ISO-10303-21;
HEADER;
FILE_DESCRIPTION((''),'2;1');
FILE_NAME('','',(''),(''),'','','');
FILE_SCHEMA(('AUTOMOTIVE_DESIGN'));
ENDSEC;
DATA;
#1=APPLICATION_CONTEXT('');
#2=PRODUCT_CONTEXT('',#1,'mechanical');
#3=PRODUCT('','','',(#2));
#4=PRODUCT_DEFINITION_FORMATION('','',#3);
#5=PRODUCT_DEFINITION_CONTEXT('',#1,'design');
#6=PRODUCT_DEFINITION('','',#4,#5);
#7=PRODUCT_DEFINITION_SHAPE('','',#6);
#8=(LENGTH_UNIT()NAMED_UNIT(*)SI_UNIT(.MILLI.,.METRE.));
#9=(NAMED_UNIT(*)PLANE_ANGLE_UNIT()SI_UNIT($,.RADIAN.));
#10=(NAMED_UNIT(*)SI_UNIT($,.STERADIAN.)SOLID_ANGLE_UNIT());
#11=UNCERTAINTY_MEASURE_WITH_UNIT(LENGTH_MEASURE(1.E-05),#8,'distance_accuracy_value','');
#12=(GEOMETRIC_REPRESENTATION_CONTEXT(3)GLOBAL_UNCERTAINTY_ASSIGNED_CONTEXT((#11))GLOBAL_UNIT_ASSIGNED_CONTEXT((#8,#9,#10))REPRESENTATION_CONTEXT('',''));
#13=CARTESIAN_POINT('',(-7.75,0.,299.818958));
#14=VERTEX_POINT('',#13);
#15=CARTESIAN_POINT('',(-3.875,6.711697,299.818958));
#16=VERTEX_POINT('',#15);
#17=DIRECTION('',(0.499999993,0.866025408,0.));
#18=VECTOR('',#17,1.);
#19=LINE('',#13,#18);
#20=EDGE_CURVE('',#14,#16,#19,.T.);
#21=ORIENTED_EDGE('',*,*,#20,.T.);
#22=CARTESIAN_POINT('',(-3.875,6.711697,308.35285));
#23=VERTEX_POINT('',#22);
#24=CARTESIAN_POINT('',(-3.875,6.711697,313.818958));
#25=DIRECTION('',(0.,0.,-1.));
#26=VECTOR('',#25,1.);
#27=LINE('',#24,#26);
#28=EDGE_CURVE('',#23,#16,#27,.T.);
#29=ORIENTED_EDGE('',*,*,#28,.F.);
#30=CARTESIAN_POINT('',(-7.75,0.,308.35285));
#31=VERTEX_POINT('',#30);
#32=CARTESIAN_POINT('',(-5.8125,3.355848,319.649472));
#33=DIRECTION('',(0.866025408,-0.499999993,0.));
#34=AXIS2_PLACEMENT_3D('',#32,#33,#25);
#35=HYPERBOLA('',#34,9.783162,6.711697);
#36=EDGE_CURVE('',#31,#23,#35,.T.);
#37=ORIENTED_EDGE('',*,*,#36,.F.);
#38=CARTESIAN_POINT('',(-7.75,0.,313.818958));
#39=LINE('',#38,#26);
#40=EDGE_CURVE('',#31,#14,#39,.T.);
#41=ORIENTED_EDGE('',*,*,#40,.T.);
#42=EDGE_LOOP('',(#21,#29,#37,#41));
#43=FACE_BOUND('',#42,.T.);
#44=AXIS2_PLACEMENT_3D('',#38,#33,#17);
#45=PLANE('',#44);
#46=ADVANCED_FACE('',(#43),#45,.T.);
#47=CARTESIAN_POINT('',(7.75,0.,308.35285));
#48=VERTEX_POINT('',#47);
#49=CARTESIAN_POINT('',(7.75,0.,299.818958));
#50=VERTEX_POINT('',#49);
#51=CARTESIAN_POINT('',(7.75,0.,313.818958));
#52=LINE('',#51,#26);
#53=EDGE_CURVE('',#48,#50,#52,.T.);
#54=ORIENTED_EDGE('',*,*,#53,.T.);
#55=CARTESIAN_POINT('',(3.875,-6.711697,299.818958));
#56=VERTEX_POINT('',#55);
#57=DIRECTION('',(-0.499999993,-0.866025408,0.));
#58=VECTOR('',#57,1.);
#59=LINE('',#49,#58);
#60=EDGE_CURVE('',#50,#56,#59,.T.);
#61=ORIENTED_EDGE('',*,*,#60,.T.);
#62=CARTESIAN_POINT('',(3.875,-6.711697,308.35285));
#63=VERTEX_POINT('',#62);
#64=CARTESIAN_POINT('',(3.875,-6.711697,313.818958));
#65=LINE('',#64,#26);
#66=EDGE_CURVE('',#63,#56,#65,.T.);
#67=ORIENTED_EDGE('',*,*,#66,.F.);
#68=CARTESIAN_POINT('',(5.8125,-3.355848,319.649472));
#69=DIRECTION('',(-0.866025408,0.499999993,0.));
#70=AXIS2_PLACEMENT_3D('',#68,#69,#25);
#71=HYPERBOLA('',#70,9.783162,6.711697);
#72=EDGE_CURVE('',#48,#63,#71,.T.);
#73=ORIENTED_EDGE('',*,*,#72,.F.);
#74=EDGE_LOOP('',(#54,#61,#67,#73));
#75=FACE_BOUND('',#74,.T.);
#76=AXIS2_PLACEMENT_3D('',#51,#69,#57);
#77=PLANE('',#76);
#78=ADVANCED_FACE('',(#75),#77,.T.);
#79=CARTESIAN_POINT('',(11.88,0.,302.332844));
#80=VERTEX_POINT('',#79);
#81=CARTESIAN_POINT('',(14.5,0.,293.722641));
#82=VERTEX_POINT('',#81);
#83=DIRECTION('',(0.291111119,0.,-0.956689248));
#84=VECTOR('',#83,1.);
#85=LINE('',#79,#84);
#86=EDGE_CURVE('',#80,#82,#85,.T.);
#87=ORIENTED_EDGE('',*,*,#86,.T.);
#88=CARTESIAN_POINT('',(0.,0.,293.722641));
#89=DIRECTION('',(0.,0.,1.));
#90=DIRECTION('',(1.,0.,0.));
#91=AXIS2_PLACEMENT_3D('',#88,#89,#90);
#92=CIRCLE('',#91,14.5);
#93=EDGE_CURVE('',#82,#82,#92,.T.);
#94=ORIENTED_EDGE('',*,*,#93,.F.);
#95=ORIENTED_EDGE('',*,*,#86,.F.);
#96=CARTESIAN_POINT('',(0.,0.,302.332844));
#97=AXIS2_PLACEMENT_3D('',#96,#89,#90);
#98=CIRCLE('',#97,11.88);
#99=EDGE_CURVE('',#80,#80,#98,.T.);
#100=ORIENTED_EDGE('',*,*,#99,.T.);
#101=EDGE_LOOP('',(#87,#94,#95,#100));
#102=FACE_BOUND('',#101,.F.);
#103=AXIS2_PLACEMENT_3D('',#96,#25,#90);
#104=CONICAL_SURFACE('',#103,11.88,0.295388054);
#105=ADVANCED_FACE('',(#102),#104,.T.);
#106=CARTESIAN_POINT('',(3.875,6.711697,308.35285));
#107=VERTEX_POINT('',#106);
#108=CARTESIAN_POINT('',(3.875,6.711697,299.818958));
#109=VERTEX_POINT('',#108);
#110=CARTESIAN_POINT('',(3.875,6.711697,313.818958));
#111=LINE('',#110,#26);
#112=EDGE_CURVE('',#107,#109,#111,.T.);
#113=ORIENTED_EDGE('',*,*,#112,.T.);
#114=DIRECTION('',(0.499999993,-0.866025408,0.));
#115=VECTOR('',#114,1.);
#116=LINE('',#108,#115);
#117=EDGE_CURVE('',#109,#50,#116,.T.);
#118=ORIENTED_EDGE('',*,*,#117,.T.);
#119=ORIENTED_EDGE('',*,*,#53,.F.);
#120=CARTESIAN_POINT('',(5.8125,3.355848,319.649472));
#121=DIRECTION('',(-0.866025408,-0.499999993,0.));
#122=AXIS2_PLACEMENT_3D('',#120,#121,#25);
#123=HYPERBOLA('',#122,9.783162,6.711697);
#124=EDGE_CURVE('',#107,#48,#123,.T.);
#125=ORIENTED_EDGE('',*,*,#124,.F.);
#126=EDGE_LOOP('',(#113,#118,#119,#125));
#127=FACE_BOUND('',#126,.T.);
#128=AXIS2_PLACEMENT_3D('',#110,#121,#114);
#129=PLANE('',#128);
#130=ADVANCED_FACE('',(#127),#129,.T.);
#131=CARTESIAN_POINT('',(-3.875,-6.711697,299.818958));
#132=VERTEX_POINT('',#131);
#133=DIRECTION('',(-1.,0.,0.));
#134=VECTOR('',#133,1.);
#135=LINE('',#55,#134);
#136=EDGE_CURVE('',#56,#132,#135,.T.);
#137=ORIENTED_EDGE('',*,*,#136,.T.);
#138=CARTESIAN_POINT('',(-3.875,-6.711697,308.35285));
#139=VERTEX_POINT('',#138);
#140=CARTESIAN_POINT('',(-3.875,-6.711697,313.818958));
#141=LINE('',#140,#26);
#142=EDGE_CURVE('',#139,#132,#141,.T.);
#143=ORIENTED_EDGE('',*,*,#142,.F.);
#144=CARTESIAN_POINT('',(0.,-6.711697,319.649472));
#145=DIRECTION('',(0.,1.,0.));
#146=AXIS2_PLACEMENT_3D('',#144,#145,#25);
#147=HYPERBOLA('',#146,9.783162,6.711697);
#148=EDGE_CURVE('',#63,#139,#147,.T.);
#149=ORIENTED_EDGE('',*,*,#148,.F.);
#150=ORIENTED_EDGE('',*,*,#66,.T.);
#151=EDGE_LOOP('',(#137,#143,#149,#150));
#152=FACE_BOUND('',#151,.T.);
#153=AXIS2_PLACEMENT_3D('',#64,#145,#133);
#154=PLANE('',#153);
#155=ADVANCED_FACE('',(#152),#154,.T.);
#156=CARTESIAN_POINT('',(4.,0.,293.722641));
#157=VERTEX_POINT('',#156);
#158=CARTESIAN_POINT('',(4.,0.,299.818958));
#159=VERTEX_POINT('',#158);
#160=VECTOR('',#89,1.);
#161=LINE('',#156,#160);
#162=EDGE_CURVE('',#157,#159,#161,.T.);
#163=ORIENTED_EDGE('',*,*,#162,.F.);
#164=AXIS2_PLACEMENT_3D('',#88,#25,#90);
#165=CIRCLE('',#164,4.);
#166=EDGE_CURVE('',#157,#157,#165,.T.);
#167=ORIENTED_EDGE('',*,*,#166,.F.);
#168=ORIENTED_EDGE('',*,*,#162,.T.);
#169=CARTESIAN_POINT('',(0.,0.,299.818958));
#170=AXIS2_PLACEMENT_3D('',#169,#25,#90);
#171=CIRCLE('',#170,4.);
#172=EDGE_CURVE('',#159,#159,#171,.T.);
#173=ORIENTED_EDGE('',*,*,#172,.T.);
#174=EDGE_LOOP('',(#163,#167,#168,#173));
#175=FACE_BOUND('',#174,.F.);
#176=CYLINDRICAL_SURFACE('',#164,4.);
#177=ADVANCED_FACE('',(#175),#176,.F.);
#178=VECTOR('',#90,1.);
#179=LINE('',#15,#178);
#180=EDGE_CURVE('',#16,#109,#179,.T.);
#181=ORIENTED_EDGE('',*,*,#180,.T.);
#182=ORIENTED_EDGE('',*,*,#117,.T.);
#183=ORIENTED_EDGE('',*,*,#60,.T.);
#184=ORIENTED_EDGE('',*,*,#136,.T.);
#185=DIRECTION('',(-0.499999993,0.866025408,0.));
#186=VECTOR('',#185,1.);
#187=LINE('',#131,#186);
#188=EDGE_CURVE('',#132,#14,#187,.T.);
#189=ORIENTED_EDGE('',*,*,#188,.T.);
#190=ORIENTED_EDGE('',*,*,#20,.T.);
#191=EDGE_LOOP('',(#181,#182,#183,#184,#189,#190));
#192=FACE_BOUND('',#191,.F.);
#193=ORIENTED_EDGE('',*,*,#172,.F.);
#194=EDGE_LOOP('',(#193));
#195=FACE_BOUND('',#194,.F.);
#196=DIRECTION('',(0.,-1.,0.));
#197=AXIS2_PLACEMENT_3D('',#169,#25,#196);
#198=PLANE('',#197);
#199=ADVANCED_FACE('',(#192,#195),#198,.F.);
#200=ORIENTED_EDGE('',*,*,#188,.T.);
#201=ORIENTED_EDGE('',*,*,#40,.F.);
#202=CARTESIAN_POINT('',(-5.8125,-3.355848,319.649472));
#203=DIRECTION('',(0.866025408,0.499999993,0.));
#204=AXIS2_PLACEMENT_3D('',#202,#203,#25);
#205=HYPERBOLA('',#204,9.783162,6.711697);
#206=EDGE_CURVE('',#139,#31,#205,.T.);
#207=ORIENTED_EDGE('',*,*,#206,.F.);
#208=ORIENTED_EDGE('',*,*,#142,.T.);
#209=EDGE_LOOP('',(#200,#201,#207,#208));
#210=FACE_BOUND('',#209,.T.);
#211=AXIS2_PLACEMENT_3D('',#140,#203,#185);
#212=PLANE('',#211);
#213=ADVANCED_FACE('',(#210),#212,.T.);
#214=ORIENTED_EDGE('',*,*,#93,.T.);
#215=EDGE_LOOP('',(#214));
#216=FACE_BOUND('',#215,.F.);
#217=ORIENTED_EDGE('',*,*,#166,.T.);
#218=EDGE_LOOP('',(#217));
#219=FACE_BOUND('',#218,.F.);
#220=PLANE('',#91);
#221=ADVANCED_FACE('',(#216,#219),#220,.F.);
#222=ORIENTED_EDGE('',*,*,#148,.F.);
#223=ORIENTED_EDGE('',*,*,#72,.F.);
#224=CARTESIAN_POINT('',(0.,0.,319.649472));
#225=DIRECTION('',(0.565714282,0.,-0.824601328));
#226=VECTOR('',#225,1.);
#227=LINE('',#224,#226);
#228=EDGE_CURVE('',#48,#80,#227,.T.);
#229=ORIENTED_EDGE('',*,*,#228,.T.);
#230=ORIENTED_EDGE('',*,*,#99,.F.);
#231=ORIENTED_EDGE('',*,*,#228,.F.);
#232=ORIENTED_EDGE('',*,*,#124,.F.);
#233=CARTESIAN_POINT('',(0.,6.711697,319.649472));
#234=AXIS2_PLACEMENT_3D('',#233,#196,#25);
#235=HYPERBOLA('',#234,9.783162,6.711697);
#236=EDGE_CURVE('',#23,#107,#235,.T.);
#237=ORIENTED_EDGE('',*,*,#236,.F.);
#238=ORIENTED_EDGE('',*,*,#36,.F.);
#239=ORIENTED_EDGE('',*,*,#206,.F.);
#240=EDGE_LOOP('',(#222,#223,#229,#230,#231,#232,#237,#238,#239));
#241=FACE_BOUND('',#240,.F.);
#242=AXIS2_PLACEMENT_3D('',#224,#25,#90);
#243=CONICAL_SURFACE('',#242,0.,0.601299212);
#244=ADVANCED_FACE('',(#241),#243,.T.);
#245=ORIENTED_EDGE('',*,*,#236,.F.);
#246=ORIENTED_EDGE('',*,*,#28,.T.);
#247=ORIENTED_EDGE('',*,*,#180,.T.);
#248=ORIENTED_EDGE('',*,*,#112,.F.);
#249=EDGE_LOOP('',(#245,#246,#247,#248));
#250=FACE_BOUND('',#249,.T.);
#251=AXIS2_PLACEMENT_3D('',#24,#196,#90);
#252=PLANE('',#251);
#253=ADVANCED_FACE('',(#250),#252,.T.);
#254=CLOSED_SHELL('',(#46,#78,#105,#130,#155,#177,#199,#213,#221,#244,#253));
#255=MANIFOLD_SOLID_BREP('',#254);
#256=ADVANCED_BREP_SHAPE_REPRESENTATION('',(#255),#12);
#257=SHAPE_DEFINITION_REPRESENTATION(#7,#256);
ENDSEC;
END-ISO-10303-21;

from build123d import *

# Parameters (mm, degrees)
SKETCH057_R     = 4
POCKET022_DEPTH = 25.927831
POCKET023_DEPTH = 14


with BuildPart() as part:
    # Sketch056 → Revolution004 (revolve)
    with BuildSketch(Plane.XZ):
        Polygon((0, 319.649472), (11.88, 302.332844), (14.5, 293.722641), (0, 293.722641), align=None)
    revolve(axis=Axis((0, 0, 0), (0, 0, 1)))

    # Sketch057 (on Face3 of Revolution004) → Pocket022 (cut, through all)
    with BuildSketch(Plane(origin=(0, 0, 293.722641), x_dir=(1, 0, 0), z_dir=(0, 0, -1))):
        Circle(SKETCH057_R)
    extrude(amount=-POCKET022_DEPTH, mode=Mode.SUBTRACT)

    # Sketch058 (on DatumPlane) → Pocket023 (cut)
    with BuildSketch(Plane(origin=(0, 0, 313.818958), x_dir=(0, -1, 0), z_dir=(0, 0, -1))):
        Polygon((6.711697, -3.875), (6.711697, 3.875), (0, 7.75), (-6.711697, 3.875), (-6.711697, -3.875), (0, -7.75), align=None)
    extrude(amount=POCKET023_DEPTH, mode=Mode.SUBTRACT)


solid = part.part
